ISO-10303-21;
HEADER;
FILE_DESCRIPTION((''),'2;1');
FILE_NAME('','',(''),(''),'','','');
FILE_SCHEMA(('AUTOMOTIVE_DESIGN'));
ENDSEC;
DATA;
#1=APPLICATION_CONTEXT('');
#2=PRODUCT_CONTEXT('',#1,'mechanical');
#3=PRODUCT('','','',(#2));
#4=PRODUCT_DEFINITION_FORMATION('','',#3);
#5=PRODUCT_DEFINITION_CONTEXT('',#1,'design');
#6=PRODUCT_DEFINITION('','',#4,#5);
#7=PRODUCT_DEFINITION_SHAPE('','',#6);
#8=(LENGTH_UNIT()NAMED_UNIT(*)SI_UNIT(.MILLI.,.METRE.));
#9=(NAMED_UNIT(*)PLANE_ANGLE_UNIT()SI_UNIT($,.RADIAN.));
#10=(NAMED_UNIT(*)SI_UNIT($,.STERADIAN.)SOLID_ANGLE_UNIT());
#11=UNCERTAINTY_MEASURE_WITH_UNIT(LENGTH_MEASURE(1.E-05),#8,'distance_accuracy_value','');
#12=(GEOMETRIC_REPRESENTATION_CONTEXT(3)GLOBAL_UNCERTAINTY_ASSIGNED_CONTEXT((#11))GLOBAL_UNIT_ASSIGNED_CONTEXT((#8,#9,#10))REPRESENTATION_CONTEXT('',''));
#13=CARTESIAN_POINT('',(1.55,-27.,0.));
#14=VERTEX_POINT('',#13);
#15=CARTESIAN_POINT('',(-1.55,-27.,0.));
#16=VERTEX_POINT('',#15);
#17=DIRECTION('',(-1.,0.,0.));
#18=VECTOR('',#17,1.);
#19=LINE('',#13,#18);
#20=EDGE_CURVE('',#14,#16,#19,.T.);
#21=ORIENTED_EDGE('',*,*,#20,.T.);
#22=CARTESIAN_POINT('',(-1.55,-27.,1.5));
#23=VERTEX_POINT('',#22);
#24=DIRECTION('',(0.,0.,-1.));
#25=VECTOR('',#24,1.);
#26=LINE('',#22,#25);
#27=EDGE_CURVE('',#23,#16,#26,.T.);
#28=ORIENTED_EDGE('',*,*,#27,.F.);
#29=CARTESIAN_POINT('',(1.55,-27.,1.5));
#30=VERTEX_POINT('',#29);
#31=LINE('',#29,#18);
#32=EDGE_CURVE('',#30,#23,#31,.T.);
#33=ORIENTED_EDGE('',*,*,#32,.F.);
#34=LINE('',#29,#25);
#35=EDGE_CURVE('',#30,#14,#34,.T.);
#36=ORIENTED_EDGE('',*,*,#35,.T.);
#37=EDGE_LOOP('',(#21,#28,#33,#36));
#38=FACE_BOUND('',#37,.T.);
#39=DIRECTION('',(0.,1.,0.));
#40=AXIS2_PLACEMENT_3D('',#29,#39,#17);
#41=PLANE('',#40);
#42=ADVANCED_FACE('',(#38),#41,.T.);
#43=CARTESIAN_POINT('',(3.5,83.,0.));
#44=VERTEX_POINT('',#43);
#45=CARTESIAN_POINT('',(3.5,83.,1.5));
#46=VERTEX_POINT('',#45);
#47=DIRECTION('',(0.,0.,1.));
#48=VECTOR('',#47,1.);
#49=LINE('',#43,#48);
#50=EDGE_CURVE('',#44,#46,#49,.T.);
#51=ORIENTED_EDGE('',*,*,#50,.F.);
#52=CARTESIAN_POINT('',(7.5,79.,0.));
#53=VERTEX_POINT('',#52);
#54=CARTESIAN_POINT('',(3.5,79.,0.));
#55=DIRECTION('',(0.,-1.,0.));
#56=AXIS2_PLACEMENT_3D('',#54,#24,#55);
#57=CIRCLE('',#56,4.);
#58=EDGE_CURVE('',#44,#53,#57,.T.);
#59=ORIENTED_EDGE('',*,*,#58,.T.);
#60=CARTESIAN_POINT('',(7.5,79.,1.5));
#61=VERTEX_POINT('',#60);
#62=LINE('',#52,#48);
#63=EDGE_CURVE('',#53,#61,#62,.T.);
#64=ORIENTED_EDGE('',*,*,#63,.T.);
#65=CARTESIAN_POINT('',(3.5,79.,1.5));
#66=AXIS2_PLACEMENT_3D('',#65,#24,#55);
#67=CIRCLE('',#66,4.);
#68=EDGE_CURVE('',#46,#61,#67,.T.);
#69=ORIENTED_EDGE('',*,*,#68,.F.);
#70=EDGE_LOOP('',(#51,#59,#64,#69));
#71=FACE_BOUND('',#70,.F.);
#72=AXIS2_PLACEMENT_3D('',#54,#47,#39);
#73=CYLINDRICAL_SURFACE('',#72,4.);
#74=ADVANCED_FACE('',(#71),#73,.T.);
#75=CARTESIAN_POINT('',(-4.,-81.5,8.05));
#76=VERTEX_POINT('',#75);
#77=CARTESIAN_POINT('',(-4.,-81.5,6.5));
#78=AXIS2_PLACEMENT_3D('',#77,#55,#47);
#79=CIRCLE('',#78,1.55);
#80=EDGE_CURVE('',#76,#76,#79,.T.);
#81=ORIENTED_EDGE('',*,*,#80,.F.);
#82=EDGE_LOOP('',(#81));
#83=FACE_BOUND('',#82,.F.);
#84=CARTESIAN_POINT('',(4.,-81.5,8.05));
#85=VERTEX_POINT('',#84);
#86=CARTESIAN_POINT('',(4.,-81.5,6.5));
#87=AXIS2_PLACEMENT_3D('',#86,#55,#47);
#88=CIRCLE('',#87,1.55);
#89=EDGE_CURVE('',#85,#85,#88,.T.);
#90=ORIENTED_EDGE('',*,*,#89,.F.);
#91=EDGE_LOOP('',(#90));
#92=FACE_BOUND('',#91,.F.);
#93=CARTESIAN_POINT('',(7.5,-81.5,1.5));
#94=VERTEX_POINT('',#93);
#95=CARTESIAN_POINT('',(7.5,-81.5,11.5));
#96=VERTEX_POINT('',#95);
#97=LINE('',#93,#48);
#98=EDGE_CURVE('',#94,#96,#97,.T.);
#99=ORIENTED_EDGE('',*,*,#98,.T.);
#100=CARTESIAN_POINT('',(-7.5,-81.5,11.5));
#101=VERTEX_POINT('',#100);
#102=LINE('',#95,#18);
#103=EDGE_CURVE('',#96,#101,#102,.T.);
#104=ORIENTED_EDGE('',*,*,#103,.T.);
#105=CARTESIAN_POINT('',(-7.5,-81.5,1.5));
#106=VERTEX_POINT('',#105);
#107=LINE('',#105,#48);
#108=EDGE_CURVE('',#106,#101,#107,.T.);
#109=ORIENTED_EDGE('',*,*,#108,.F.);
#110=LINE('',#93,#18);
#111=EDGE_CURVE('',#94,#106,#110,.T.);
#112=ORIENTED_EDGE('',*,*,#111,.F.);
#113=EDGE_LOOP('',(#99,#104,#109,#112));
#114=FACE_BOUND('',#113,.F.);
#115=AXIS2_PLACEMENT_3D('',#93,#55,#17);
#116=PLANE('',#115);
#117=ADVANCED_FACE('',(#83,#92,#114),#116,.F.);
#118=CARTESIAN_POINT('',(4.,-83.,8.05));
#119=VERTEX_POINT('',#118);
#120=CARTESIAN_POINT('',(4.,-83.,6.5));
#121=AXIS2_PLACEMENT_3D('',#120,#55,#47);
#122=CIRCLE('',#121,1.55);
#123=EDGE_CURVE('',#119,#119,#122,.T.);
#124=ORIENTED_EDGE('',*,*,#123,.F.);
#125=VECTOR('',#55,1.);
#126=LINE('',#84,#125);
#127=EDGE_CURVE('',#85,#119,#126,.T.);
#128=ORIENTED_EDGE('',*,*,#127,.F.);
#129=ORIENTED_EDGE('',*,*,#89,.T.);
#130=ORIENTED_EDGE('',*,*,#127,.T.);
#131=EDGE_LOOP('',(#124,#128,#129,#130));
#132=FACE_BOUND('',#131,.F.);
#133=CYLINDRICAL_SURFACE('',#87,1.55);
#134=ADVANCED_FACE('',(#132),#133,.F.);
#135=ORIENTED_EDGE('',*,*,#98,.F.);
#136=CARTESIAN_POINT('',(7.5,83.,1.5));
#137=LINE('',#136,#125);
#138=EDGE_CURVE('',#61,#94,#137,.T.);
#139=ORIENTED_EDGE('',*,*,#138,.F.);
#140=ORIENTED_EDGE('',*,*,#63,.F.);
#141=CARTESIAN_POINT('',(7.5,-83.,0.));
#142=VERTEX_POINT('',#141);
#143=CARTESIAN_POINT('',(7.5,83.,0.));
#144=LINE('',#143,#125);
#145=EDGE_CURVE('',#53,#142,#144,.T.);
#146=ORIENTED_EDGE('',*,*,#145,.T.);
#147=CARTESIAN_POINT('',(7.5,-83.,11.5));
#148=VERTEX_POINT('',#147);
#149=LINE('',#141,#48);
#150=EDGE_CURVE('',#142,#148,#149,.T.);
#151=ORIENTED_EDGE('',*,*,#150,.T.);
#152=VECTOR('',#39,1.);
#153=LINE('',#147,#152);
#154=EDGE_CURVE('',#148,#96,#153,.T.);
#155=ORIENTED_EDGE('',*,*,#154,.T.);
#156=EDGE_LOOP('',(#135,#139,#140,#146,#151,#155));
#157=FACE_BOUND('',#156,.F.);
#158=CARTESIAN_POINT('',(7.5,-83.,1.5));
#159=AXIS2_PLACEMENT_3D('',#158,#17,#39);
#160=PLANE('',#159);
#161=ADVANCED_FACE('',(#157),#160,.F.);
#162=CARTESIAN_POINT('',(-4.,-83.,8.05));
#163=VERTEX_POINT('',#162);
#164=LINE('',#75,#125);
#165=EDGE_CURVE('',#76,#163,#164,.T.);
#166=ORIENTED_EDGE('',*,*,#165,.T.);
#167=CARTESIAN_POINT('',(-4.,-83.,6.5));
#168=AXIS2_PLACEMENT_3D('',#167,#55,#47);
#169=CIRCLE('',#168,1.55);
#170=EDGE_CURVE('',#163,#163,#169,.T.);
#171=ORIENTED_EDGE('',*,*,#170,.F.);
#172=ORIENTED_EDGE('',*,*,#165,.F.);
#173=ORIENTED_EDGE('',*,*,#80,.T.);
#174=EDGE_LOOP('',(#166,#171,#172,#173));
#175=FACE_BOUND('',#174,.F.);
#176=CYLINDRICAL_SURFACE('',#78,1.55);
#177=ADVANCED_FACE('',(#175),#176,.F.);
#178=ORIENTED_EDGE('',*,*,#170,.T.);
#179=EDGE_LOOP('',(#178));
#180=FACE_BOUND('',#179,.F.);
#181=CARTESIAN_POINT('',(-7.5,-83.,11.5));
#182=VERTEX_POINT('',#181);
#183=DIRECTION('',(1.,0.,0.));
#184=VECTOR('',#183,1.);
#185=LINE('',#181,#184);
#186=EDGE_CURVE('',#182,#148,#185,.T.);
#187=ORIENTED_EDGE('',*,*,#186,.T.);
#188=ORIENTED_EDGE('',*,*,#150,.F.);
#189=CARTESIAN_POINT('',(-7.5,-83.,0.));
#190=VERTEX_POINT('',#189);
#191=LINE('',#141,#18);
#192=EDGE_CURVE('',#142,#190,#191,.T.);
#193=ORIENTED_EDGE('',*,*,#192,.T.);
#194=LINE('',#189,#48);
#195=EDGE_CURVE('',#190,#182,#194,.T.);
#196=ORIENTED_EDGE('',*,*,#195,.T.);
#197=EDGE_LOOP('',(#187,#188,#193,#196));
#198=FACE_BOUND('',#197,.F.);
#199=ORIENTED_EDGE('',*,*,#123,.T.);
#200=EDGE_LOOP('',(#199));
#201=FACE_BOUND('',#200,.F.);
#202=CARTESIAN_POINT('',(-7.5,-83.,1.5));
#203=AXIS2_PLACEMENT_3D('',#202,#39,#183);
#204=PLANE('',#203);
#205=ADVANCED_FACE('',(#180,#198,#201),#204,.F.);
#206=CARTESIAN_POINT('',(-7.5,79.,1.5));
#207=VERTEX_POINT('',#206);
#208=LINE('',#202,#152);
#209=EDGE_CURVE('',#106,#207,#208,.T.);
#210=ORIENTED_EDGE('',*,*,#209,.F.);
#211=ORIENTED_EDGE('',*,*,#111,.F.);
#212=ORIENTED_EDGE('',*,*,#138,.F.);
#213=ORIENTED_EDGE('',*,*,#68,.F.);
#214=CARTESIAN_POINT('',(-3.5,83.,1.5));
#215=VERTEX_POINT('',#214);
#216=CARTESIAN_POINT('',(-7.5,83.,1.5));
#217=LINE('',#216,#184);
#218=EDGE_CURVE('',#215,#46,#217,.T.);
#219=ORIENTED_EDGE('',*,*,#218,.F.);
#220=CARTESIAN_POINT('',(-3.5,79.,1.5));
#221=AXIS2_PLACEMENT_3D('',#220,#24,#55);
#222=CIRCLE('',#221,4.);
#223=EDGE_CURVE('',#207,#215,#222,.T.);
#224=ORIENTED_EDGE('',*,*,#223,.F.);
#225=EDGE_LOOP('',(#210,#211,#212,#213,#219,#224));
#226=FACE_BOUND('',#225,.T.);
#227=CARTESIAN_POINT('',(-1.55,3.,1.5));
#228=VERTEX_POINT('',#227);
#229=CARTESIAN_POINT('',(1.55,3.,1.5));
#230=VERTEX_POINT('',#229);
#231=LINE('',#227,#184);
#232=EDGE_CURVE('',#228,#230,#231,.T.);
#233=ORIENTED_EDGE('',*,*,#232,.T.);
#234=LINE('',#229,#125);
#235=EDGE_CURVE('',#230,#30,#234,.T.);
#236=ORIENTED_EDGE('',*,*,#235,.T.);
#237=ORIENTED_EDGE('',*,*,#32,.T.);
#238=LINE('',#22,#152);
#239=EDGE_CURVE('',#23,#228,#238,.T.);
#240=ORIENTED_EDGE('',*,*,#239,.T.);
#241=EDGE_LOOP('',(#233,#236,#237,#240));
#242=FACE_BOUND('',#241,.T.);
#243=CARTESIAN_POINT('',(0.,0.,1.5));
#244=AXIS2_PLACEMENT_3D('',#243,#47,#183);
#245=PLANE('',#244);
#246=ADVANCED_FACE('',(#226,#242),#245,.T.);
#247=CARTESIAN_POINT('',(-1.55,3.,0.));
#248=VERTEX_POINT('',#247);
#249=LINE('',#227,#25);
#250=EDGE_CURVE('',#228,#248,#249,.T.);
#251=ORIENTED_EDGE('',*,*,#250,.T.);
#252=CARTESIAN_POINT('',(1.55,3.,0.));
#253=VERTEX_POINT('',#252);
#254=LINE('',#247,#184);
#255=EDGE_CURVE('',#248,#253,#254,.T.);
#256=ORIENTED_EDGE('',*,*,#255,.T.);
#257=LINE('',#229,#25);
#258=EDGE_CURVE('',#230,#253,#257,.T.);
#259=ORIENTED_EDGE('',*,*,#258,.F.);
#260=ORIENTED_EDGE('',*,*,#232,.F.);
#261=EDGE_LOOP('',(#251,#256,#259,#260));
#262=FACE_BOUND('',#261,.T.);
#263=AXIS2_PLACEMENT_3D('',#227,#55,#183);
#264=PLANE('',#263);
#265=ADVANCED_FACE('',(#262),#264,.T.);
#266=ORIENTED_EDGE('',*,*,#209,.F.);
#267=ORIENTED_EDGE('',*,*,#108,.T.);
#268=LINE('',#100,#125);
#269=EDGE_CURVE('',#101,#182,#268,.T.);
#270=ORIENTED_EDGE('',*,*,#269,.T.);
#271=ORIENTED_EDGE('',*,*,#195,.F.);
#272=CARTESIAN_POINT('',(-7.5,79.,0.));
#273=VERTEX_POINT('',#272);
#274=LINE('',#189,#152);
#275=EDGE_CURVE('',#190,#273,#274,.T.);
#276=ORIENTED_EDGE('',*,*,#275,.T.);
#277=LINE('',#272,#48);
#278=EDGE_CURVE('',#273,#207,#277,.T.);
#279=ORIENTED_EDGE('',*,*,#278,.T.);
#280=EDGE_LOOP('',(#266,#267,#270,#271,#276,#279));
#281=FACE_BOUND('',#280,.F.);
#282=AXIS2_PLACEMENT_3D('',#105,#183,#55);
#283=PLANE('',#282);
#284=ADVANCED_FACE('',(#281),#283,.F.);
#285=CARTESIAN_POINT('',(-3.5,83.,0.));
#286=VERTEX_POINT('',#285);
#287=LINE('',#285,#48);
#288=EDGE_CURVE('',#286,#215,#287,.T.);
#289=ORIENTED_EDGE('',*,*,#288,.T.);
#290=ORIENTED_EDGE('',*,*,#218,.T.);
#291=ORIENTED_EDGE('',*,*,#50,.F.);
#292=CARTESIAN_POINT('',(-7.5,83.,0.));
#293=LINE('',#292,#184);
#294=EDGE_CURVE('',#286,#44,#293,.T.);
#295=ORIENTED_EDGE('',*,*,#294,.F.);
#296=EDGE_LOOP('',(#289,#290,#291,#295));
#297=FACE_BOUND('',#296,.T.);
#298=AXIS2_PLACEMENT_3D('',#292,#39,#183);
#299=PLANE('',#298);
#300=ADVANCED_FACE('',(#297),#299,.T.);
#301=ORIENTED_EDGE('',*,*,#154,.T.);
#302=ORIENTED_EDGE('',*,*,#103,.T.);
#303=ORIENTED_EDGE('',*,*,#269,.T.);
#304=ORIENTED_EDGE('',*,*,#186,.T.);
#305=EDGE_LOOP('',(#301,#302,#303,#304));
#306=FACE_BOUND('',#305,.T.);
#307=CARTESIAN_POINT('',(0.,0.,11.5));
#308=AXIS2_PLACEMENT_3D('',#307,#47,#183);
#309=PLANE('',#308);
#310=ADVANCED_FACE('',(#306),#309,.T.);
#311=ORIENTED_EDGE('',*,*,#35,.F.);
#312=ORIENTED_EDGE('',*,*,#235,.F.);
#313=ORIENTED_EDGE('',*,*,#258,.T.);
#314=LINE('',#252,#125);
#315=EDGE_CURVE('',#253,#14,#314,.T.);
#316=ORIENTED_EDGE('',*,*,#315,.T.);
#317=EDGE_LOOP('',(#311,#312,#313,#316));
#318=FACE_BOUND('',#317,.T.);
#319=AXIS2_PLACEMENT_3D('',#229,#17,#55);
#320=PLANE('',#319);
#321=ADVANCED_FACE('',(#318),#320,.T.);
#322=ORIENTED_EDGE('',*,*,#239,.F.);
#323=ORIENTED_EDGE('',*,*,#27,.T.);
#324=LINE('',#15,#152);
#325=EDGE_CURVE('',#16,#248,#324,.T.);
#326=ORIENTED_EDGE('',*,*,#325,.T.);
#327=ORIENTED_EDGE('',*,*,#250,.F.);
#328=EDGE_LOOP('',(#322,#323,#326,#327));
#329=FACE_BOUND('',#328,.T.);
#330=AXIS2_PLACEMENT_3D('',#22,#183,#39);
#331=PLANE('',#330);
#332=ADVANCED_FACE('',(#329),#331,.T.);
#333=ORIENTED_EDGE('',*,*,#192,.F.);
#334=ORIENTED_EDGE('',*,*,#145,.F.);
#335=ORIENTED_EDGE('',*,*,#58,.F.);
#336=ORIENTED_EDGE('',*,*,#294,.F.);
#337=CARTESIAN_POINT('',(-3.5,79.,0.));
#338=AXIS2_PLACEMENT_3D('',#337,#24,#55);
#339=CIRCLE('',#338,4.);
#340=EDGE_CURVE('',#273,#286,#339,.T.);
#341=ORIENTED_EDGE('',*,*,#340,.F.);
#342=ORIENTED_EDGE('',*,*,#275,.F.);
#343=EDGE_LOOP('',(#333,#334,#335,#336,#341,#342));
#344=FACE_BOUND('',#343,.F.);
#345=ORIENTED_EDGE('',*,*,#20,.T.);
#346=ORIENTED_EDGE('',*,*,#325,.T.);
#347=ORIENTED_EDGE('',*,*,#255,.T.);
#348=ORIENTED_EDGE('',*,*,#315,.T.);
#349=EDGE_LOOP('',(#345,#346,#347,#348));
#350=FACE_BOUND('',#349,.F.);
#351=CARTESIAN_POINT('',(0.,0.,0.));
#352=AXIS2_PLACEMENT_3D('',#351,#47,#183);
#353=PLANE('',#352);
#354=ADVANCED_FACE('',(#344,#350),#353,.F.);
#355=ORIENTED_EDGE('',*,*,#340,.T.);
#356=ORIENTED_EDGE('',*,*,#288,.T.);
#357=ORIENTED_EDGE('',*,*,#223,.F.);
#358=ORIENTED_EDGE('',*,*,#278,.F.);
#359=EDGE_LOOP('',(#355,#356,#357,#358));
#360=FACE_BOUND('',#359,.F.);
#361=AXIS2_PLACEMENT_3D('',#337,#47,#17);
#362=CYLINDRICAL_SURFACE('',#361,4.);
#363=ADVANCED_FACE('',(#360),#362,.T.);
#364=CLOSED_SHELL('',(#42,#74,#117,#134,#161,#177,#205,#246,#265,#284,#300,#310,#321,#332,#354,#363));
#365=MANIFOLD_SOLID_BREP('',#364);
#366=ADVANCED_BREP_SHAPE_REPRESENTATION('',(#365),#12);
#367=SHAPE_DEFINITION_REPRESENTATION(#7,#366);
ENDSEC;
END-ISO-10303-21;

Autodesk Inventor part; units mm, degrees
ref_plane "YZ Plane" through (0, 0, 0) normal (1, 0, 0) x (0, 1, 0)
ref_plane "XZ Plane" through (0, 0, 0) normal (0, 1, 0) x (-1, 0, 0)
ref_plane "XY Plane" through (0, 0, 0) normal (0, 0, 1) x (1, 0, 0)
sketch "スケッチ1" plane through (0, 0, 0) normal (0, 0, 1) x (1, 0, 0)
  line L0 (-7.5, 83) -> (7.5, 83)
  line L1 (7.5, 83) -> (7.5, -83)
  line L2 (7.5, -83) -> (-7.5, -83)
  line L3 (-7.5, -83) -> (-7.5, 83)
  line L4 (-7.5, 83) -> (7.5, -83) construction
  line L5 (7.5, 83) -> (-7.5, -83) construction
  point P0 (0, 0)
  dimension "d0" = 15
  dimension "d1" = 166
extrude "押し出し1" add sketch "スケッチ1" along normal blind 1.5
sketch "スケッチ2" plane through (0, 0, 1.5) normal (0, 0, 1) x (1, 0, 0)
  line L0 (7.5, 83) -> (-7.5, 83) projected
  line L1 (-1.55, 3) -> (1.55, 3)
  line L2 (1.55, 3) -> (1.55, -27)
  line L3 (1.55, -27) -> (-1.55, -27)
  line L4 (-1.55, -27) -> (-1.55, 3)
  line L5 (-7.5, 83) -> (-7.5, -83) projected
  point P0 (0, 0)
  dimension "d6" = 3.1
  dimension "d7" = 30
  dimension "d8" = 80
  dimension "d9" = 5.95
extrude "押し出し2" cut sketch "スケッチ2" against normal blind 1.5
sketch "スケッチ3" plane through (0, 0, 1.5) normal (0, 0, 1) x (1, 0, 0)
  line L0 (-7.5, -83) -> (7.5, -83)
  line L1 (7.5, -83) -> (7.5, -81.5)
  line L2 (7.5, -81.5) -> (-7.5, -81.5)
  line L3 (-7.5, -81.5) -> (-7.5, -83)
  point P0 (0, 0)
  dimension "d12" = 1.5
extrude "押し出し3" add sketch "スケッチ3" along normal blind 10
sketch "スケッチ4" plane through (-7.5, -81.5, 1.5) normal (0, 1, 0) x (1, 0, 0)
  line L0 (15, -10) -> (0, -10) projected
  line L1 (15, 0) -> (15, -10) projected
  point P0 (7.5, 1.5)
  point P1 (11.5, -5)
  point P2 (3.5, -5)
  dimension "d15" = 8
  dimension "d16" = 5
  dimension "d17" = 3.5
hole "穴1" at (4, -81.5, 6.5) at (-4, -81.5, 6.5) direction (0, -1, 0) diameter 3.1 end through all
fillet "フィレット1" radius 4 2 edges at (-7.5, 83, 0.75) (7.5, 83, 0.75)
properties part number "pre1" material "アルミニウム 5052 H32"
